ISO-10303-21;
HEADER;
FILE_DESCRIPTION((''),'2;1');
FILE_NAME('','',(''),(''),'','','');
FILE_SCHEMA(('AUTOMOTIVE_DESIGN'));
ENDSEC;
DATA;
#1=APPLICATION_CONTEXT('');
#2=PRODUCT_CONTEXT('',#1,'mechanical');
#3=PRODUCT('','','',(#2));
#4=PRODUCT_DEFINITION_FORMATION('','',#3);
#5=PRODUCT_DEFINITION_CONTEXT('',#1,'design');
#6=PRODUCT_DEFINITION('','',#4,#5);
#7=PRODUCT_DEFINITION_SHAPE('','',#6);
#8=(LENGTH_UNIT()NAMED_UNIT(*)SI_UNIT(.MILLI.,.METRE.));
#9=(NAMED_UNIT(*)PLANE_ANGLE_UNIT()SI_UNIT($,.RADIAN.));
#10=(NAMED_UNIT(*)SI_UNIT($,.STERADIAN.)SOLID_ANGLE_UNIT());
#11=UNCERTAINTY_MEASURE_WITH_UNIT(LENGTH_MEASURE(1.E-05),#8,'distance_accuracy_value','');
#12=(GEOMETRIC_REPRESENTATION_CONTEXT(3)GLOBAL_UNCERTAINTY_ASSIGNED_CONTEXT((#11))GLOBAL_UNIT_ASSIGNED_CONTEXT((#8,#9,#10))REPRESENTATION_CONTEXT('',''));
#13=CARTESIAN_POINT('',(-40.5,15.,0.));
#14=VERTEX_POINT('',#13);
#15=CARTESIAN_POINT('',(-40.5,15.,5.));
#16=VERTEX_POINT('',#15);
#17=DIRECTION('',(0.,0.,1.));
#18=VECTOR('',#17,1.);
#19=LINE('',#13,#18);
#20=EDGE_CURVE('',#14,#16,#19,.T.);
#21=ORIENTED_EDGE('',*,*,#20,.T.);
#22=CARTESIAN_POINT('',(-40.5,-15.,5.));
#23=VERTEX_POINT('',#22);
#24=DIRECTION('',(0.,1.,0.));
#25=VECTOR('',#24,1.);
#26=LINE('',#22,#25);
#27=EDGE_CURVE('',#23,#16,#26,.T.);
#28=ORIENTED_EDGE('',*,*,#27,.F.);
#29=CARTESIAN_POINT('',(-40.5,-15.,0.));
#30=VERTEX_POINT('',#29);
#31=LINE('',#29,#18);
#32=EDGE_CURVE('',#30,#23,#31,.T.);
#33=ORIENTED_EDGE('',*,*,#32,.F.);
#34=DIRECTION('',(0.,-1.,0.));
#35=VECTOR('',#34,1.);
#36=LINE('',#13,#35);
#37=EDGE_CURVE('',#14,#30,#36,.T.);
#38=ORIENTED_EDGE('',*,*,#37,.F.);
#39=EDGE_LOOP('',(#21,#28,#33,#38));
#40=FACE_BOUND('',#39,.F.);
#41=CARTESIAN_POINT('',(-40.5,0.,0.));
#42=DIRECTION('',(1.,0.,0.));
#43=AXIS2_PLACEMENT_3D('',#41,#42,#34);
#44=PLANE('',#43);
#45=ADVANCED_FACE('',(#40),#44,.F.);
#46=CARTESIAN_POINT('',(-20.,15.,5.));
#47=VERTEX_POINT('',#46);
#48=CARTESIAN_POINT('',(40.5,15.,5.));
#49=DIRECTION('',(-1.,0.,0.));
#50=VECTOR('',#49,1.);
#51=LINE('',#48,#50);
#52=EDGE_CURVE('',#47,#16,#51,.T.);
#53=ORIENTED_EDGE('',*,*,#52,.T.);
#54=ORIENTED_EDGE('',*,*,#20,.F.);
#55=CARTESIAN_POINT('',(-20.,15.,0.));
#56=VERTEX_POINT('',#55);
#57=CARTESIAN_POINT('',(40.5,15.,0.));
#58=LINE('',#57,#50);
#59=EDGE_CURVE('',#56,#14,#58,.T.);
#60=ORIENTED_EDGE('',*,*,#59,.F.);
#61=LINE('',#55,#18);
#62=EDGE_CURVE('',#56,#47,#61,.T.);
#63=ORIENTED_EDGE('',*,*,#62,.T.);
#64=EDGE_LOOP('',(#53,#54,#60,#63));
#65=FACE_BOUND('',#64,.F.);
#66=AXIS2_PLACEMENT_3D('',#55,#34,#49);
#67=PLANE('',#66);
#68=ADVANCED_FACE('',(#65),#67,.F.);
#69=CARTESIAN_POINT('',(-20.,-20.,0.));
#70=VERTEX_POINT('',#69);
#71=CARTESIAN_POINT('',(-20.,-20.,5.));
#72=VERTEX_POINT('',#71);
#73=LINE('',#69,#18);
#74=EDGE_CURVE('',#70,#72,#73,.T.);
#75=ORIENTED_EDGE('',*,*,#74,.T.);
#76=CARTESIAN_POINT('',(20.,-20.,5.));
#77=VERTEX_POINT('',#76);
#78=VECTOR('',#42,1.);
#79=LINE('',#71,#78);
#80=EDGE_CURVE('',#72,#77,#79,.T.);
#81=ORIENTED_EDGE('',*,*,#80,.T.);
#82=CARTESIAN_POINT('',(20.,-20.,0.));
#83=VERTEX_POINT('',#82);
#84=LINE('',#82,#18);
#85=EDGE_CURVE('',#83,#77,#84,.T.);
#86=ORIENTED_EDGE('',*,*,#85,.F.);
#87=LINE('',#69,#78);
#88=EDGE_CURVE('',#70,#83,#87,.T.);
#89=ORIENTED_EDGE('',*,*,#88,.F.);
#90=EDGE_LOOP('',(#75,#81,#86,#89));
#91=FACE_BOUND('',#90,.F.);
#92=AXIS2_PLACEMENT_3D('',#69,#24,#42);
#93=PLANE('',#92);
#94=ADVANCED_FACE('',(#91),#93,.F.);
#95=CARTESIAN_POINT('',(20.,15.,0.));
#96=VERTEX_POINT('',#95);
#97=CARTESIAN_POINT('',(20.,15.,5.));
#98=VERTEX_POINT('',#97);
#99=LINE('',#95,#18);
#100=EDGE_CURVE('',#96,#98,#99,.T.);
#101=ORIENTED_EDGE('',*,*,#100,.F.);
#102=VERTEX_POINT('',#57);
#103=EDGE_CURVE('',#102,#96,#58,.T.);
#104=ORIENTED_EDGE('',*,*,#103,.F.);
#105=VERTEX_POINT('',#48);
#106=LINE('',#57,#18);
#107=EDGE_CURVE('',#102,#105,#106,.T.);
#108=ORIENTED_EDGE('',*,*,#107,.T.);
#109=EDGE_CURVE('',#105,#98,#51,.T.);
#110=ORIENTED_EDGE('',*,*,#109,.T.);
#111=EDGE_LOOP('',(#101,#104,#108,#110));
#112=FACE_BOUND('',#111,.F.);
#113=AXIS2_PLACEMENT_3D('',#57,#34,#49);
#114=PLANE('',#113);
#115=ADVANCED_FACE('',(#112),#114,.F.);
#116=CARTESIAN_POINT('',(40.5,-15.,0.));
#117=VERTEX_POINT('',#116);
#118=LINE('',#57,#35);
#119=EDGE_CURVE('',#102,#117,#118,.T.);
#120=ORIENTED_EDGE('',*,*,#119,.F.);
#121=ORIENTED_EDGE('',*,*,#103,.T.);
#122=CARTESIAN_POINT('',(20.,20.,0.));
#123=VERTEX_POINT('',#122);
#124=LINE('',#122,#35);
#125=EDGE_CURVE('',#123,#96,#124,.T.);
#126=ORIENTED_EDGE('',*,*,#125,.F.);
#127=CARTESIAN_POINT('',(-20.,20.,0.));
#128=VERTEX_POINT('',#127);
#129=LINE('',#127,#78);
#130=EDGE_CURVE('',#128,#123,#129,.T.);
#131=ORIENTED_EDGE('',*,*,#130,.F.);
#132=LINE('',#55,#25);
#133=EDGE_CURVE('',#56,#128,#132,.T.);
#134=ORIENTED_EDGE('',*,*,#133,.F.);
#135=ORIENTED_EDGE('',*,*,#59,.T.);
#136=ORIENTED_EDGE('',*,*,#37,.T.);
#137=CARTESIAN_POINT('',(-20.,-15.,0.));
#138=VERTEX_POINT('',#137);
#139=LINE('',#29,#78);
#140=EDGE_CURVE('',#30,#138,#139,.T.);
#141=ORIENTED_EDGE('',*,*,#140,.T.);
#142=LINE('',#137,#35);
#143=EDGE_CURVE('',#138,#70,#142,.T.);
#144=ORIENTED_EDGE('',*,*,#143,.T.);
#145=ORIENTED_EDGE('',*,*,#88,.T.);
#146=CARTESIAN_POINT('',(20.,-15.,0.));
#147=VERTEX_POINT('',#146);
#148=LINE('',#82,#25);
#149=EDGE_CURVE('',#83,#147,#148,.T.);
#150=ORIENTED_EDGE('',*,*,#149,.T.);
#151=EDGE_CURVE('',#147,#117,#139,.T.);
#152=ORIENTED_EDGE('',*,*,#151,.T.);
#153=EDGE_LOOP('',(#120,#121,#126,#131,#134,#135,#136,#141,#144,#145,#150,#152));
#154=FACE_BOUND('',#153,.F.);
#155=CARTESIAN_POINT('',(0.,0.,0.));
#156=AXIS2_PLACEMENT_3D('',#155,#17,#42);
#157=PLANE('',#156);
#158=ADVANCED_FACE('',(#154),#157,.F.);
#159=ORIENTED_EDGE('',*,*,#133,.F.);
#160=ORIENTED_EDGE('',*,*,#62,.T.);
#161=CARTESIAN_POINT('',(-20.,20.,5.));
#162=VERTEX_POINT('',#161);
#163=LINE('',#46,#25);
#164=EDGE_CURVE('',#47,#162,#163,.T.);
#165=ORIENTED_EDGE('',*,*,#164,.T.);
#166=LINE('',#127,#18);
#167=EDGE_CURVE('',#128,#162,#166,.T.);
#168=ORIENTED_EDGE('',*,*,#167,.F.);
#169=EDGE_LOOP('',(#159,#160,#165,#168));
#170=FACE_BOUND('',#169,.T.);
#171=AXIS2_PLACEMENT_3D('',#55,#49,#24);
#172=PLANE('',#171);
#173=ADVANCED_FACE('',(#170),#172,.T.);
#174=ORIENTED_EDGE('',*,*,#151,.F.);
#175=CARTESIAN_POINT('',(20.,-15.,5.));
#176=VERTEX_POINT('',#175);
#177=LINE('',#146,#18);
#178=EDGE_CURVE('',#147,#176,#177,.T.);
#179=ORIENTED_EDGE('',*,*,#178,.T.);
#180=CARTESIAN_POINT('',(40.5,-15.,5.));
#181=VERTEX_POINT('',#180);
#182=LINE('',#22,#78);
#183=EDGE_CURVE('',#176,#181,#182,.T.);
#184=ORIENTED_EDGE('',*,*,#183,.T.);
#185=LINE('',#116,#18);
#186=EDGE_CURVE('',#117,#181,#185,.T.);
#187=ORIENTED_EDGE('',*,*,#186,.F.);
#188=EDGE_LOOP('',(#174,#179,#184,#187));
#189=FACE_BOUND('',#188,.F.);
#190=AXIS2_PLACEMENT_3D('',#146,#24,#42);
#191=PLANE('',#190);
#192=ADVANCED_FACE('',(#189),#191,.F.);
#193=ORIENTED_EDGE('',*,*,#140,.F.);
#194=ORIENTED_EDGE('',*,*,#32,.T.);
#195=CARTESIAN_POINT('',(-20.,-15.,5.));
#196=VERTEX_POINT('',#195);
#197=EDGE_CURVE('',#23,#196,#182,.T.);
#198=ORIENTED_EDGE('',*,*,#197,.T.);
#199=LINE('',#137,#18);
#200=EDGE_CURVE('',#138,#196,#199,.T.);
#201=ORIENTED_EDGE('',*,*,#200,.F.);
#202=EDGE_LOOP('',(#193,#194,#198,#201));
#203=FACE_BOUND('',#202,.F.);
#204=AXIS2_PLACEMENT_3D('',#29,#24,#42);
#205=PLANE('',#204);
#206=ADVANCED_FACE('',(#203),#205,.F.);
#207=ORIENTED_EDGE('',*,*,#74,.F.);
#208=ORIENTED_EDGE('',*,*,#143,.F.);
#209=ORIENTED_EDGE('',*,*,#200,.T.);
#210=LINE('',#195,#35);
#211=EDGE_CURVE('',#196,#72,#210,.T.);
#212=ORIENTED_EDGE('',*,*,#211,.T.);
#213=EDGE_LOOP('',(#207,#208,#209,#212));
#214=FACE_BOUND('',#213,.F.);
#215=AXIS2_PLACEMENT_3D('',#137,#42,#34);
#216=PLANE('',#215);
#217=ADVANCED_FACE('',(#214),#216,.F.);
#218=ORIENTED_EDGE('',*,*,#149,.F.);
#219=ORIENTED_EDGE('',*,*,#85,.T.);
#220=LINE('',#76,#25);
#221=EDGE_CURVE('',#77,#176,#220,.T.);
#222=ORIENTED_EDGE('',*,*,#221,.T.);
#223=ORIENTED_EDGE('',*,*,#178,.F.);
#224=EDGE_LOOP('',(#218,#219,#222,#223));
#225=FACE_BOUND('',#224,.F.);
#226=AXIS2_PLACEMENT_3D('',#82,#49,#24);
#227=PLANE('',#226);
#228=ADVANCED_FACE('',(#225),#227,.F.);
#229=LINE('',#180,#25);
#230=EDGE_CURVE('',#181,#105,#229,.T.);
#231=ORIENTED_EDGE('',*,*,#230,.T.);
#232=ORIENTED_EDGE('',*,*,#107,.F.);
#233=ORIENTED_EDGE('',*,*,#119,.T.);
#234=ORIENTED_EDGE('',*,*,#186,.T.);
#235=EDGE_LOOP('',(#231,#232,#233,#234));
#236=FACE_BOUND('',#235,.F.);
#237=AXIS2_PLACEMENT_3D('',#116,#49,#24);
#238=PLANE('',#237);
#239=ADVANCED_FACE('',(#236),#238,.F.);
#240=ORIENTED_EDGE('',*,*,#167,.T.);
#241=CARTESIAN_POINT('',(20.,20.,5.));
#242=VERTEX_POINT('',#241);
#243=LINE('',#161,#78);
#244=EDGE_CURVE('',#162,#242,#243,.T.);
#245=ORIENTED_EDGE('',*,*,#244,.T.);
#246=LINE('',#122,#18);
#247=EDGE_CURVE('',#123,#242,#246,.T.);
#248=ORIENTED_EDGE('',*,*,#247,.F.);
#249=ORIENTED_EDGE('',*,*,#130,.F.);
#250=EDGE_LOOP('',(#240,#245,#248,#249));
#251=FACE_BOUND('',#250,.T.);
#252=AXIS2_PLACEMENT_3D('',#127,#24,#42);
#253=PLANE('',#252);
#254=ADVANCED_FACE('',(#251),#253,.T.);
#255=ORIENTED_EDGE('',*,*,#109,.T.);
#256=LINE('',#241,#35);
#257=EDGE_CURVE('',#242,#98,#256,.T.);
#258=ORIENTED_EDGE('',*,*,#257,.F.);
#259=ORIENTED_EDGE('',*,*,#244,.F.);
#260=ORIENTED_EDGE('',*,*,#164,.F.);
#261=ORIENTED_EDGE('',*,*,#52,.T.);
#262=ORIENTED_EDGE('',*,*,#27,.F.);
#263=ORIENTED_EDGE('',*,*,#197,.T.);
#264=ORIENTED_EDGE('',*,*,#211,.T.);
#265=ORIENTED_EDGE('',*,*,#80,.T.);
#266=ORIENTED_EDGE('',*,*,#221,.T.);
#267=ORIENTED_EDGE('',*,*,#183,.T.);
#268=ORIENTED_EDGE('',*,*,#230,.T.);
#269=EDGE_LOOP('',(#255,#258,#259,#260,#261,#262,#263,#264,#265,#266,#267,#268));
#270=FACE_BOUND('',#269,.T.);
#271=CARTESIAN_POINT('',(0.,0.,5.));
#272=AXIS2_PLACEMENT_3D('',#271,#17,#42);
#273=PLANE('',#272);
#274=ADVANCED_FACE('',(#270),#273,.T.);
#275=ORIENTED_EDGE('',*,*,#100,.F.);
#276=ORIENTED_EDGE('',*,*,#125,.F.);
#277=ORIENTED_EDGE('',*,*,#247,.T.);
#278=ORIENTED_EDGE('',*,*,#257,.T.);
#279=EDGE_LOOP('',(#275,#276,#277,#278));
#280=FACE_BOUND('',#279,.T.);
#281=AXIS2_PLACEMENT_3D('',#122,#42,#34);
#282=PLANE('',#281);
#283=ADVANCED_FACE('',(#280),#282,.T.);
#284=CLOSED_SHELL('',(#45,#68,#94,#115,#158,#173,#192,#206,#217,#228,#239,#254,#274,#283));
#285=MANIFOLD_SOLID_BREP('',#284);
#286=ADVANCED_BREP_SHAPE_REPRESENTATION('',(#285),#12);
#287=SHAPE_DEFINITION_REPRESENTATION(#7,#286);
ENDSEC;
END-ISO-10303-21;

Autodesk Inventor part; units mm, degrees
ref_plane "YZ Plane" through (0, 0, 0) normal (1, 0, 0) x (0, 1, 0)
ref_plane "XZ Plane" through (0, 0, 0) normal (0, 1, 0) x (-1, 0, 0)
ref_plane "XY Plane" through (0, 0, 0) normal (0, 0, 1) x (1, 0, 0)
sketch "Sketch1" plane through (0, 0, 0) normal (0, 0, 1) x (1, 0, 0)
  line L0 (-40.5, -15) -> (40.5, -15)
  line L1 (40.5, -15) -> (40.5, 15)
  line L2 (40.5, 15) -> (-40.5, 15)
  line L3 (-40.5, 15) -> (-40.5, -15)
  line L4 (-40.5, -15) -> (40.5, 15) construction
  line L5 (40.5, -15) -> (-40.5, 15) construction
  line L6 (-20, 20) -> (20, 20)
  line L7 (20, 20) -> (20, 15)
  line L8 (20, 15) -> (-20, 15)
  line L9 (-20, 15) -> (-20, 20)
  line L10 (-20, 20) -> (20, 15) construction
  line L11 (20, 20) -> (-20, 15) construction
  line L12 (-40.5, 0) -> (40.5, 0)
  line L13 (-20, -20) -> (20, -20)
  line L14 (20, -20) -> (20, -15)
  line L15 (20, -15) -> (-20, -15)
  line L16 (-20, -15) -> (-20, -20)
  line L17 (-20, -20) -> (20, -15) construction
  line L18 (20, -20) -> (-20, -15) construction
  point P0 (0, 0)
  point P1 (0, 17.5)
  point P2 (0, 15)
  point P3 (0, -17.5)
  point P4 (0, -15)
  dimension "d0" = 81
  dimension "d1" = 30
  dimension "d2" = 40
  dimension "d3" = 5
extrude "Plate1" add sketch "Sketch1" along normal blind 5
equation "\"d4\" = Thickness"
equation "\"BendRadius\" = Thickness"
equation "\"BendReliefWidth\" = Thickness"
equation "\"BendReliefDepth\" = 0.5 * Thickness"
equation "\"TransitionRadius\" = BendRadius"
equation "\"JacobiRadiusSize\" = BendRadius"
equation "\"GapSize\" = Thickness"
equation "\"Thickness\" = 5"
properties part number "Path Base Fixation .2"
